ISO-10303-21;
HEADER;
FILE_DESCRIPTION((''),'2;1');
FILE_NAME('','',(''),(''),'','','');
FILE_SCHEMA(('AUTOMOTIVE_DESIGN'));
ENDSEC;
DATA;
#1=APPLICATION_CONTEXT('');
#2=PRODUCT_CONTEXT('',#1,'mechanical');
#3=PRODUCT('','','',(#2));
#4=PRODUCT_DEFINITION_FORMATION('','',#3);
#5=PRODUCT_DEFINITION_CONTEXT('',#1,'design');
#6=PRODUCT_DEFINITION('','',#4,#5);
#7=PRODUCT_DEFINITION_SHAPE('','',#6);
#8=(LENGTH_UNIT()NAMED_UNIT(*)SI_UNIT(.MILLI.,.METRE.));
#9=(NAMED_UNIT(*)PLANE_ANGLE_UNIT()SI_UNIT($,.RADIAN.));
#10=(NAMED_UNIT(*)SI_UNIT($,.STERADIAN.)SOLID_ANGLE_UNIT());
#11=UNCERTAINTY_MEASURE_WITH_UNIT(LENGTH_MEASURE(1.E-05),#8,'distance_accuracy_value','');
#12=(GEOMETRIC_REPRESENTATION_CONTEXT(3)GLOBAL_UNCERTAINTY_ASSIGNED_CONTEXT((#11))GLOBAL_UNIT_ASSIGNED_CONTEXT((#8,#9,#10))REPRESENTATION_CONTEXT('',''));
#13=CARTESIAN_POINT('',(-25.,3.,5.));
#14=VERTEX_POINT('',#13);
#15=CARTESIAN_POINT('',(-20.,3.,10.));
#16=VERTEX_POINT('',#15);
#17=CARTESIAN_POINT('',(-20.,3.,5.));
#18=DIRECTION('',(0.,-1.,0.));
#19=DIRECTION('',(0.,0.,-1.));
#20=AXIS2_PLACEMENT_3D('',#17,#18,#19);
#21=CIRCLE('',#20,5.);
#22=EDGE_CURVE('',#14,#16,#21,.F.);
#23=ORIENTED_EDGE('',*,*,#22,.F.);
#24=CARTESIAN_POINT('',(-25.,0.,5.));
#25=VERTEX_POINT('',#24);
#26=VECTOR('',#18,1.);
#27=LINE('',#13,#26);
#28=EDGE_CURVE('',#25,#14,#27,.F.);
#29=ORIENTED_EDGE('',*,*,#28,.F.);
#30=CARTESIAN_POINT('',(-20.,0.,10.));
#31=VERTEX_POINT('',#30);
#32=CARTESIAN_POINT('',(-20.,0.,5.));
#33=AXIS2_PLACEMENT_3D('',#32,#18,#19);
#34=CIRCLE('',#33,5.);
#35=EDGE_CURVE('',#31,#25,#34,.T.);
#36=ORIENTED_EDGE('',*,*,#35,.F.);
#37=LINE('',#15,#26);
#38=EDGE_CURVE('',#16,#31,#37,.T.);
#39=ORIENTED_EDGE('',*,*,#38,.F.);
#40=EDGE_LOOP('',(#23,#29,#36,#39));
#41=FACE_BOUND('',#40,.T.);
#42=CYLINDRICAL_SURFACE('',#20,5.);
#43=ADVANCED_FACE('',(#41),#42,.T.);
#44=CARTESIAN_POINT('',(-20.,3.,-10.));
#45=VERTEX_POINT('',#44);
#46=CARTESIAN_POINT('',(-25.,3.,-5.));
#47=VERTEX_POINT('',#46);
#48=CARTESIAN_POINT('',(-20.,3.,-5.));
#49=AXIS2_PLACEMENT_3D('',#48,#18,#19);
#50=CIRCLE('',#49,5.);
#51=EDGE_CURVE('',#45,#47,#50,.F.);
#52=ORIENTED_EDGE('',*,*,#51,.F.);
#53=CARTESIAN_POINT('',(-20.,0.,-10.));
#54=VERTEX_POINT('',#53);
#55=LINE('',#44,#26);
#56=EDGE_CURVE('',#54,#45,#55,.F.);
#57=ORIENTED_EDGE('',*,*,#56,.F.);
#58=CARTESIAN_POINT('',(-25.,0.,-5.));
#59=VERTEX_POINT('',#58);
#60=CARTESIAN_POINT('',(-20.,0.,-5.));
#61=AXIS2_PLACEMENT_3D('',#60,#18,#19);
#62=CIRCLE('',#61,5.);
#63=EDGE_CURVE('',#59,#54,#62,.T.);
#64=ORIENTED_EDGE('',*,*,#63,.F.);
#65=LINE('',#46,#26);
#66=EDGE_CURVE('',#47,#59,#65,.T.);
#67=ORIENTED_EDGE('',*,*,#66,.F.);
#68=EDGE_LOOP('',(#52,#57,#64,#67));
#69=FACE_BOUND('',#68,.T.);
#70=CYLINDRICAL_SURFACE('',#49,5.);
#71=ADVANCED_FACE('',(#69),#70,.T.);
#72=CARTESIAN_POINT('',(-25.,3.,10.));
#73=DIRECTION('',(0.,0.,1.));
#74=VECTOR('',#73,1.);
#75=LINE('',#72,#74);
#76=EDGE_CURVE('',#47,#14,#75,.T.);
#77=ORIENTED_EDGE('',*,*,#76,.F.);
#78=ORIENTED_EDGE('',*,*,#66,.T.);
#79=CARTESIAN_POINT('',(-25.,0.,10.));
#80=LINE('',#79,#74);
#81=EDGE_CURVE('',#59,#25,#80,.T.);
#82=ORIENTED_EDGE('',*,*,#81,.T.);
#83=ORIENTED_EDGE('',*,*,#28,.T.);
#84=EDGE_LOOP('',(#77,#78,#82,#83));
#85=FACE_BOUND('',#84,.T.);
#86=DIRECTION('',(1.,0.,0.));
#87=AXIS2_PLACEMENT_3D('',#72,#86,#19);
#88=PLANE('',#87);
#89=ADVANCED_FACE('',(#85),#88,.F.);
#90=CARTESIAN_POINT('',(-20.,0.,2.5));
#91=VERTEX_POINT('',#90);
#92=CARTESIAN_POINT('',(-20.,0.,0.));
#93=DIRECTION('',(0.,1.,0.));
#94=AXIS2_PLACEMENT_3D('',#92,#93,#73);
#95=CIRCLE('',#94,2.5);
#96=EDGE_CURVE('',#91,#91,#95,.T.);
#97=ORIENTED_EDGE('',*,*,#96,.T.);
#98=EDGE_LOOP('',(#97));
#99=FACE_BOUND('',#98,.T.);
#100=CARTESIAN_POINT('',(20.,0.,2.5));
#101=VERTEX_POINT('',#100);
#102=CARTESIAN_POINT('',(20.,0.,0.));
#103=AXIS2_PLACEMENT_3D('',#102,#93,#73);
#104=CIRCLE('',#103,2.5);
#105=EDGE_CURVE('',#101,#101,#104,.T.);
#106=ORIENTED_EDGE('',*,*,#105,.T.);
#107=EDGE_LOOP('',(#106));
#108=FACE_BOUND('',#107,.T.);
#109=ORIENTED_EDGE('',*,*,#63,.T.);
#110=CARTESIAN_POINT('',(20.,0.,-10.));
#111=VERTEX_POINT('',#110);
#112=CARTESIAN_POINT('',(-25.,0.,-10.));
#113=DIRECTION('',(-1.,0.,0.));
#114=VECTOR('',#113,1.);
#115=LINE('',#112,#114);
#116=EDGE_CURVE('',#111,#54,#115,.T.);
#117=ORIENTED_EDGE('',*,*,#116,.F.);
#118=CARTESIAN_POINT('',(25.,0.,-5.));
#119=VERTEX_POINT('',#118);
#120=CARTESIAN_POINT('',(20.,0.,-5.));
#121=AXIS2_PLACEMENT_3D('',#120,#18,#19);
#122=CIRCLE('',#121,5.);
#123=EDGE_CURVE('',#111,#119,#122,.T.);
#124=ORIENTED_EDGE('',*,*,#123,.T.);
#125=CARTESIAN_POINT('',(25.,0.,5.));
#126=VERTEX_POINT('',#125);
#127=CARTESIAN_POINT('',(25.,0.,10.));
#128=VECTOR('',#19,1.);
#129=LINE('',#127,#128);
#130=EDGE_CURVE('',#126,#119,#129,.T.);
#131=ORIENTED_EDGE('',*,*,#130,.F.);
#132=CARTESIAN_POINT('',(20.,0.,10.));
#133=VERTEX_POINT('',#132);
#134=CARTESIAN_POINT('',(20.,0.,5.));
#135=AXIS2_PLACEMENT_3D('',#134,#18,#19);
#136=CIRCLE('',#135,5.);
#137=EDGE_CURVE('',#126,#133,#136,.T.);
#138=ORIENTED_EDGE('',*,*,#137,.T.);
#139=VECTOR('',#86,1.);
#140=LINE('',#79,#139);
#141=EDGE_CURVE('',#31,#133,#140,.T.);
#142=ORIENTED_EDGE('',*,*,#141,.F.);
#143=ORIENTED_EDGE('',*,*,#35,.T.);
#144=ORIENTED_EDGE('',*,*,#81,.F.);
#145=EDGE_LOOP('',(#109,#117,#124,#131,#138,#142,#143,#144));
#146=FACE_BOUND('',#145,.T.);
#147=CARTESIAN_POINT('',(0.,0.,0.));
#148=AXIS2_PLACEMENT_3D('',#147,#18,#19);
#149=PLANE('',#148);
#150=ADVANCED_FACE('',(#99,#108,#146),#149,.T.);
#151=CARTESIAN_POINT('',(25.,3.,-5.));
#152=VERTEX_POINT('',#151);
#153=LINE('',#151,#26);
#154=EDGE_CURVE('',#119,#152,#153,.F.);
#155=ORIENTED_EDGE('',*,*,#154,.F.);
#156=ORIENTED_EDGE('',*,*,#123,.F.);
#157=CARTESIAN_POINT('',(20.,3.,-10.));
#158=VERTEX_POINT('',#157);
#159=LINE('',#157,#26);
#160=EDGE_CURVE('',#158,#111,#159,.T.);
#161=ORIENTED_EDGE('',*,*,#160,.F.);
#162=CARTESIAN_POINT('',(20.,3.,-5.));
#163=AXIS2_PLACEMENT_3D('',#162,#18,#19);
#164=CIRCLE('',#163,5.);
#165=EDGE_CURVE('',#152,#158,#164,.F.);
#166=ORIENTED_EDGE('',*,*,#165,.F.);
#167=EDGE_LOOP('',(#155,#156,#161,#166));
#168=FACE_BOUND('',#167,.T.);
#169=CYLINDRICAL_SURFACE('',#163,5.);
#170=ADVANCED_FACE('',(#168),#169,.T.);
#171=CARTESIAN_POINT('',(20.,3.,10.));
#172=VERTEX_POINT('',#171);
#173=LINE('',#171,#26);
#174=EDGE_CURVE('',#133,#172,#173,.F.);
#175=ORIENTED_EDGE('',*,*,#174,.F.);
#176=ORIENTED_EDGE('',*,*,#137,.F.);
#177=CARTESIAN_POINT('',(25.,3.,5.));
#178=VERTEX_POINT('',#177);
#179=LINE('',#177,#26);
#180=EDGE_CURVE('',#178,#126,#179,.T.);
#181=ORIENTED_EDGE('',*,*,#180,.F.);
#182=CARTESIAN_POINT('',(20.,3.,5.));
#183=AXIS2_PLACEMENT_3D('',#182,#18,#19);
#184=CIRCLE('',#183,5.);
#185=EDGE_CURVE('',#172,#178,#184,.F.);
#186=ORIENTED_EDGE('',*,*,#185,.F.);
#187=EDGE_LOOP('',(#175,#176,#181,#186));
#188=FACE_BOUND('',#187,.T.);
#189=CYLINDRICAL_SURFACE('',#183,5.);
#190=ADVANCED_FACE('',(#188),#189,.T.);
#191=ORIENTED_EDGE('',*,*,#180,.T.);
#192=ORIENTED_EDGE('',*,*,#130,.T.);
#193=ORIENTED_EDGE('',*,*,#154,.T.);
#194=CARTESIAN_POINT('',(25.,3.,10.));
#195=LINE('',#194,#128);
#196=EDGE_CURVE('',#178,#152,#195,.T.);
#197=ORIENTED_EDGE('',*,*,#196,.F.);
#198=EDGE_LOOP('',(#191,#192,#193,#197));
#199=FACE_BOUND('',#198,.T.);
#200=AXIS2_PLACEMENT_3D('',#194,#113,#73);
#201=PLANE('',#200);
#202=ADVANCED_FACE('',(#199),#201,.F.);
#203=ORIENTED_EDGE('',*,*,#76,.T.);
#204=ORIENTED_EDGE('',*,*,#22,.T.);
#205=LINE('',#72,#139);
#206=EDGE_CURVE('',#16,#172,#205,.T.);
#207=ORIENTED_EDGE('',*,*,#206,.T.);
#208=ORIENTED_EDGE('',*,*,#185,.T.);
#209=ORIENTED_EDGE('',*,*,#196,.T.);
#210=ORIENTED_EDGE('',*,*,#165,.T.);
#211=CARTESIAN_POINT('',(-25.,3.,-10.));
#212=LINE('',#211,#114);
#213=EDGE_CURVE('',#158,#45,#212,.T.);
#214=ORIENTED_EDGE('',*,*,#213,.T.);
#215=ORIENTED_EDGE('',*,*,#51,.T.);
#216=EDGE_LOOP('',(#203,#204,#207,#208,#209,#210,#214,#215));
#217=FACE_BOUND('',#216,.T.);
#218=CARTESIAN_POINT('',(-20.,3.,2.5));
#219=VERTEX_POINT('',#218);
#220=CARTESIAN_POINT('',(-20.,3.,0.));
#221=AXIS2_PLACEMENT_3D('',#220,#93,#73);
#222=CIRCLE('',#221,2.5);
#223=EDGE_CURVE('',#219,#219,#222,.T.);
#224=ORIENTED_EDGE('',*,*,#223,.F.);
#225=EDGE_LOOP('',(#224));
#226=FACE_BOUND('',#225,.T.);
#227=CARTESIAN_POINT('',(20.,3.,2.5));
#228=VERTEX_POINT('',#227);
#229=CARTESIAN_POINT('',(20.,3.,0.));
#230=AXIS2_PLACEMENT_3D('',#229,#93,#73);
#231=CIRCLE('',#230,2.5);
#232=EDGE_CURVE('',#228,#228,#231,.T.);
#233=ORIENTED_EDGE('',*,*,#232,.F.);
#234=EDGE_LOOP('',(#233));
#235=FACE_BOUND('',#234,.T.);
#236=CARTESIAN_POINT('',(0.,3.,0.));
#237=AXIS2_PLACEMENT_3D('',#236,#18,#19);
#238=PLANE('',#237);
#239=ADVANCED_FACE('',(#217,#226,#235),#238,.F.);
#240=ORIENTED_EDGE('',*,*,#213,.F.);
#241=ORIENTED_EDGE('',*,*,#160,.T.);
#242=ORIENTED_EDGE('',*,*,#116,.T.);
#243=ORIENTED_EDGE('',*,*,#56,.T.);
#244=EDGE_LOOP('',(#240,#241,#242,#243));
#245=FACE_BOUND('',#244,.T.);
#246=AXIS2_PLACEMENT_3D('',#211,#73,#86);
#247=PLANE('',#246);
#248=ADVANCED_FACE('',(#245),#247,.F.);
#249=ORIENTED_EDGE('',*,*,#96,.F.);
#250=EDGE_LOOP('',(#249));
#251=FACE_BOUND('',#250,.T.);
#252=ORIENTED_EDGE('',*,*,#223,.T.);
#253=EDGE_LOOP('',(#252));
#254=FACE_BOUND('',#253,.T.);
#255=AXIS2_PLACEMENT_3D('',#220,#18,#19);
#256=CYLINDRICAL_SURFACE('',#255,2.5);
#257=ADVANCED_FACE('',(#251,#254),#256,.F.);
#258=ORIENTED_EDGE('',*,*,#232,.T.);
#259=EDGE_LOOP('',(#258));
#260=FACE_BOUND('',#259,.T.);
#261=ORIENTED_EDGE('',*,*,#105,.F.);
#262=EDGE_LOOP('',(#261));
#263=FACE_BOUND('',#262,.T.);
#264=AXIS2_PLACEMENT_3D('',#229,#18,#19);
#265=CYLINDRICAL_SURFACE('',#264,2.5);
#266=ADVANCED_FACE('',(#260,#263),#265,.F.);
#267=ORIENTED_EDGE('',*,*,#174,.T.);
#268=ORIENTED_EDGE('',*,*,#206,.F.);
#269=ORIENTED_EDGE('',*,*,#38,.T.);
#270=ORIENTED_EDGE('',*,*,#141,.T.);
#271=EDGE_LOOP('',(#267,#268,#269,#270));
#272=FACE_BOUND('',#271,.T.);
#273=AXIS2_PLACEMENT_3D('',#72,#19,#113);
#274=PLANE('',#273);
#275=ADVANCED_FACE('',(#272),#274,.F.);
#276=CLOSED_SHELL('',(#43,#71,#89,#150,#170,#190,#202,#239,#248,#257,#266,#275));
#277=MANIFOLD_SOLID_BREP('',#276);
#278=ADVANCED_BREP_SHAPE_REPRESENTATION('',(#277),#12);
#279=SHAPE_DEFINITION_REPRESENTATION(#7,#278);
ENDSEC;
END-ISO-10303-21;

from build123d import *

# Parameters (mm, degrees)
SKETCH1_W           = 50
SKETCH1_H           = 20
SKETCH1_R           = 2.5
BOSS_EXTRUDE1_DEPTH = 3
FILLET1_R           = 5


with BuildPart() as part:
    # Sketch1 → Boss-Extrude1 (new body)
    with BuildSketch(Plane(origin=(0, 0, 0), x_dir=(1, 0, 0), z_dir=(0, 1, 0))):
        Rectangle(SKETCH1_W, SKETCH1_H)
        with Locations(Location((20, 0, 0), (0, 0, 270))):
            Circle(SKETCH1_R, mode=Mode.SUBTRACT)
        with Locations(Location((-20, 0, 0), (0, 0, 270))):
            Circle(SKETCH1_R, mode=Mode.SUBTRACT)
    extrude(amount=BOSS_EXTRUDE1_DEPTH)

    # Fillet1
    fillet1_edges = [part.edges().sort_by_distance(p)[0] for p in [
        (25, 1.5, 10),
        (-25, 1.5, 10),
        (-25, 1.5, -10),
        (25, 1.5, -10),
    ]]
    fillet(fillet1_edges, radius=FILLET1_R)


solid = part.part
